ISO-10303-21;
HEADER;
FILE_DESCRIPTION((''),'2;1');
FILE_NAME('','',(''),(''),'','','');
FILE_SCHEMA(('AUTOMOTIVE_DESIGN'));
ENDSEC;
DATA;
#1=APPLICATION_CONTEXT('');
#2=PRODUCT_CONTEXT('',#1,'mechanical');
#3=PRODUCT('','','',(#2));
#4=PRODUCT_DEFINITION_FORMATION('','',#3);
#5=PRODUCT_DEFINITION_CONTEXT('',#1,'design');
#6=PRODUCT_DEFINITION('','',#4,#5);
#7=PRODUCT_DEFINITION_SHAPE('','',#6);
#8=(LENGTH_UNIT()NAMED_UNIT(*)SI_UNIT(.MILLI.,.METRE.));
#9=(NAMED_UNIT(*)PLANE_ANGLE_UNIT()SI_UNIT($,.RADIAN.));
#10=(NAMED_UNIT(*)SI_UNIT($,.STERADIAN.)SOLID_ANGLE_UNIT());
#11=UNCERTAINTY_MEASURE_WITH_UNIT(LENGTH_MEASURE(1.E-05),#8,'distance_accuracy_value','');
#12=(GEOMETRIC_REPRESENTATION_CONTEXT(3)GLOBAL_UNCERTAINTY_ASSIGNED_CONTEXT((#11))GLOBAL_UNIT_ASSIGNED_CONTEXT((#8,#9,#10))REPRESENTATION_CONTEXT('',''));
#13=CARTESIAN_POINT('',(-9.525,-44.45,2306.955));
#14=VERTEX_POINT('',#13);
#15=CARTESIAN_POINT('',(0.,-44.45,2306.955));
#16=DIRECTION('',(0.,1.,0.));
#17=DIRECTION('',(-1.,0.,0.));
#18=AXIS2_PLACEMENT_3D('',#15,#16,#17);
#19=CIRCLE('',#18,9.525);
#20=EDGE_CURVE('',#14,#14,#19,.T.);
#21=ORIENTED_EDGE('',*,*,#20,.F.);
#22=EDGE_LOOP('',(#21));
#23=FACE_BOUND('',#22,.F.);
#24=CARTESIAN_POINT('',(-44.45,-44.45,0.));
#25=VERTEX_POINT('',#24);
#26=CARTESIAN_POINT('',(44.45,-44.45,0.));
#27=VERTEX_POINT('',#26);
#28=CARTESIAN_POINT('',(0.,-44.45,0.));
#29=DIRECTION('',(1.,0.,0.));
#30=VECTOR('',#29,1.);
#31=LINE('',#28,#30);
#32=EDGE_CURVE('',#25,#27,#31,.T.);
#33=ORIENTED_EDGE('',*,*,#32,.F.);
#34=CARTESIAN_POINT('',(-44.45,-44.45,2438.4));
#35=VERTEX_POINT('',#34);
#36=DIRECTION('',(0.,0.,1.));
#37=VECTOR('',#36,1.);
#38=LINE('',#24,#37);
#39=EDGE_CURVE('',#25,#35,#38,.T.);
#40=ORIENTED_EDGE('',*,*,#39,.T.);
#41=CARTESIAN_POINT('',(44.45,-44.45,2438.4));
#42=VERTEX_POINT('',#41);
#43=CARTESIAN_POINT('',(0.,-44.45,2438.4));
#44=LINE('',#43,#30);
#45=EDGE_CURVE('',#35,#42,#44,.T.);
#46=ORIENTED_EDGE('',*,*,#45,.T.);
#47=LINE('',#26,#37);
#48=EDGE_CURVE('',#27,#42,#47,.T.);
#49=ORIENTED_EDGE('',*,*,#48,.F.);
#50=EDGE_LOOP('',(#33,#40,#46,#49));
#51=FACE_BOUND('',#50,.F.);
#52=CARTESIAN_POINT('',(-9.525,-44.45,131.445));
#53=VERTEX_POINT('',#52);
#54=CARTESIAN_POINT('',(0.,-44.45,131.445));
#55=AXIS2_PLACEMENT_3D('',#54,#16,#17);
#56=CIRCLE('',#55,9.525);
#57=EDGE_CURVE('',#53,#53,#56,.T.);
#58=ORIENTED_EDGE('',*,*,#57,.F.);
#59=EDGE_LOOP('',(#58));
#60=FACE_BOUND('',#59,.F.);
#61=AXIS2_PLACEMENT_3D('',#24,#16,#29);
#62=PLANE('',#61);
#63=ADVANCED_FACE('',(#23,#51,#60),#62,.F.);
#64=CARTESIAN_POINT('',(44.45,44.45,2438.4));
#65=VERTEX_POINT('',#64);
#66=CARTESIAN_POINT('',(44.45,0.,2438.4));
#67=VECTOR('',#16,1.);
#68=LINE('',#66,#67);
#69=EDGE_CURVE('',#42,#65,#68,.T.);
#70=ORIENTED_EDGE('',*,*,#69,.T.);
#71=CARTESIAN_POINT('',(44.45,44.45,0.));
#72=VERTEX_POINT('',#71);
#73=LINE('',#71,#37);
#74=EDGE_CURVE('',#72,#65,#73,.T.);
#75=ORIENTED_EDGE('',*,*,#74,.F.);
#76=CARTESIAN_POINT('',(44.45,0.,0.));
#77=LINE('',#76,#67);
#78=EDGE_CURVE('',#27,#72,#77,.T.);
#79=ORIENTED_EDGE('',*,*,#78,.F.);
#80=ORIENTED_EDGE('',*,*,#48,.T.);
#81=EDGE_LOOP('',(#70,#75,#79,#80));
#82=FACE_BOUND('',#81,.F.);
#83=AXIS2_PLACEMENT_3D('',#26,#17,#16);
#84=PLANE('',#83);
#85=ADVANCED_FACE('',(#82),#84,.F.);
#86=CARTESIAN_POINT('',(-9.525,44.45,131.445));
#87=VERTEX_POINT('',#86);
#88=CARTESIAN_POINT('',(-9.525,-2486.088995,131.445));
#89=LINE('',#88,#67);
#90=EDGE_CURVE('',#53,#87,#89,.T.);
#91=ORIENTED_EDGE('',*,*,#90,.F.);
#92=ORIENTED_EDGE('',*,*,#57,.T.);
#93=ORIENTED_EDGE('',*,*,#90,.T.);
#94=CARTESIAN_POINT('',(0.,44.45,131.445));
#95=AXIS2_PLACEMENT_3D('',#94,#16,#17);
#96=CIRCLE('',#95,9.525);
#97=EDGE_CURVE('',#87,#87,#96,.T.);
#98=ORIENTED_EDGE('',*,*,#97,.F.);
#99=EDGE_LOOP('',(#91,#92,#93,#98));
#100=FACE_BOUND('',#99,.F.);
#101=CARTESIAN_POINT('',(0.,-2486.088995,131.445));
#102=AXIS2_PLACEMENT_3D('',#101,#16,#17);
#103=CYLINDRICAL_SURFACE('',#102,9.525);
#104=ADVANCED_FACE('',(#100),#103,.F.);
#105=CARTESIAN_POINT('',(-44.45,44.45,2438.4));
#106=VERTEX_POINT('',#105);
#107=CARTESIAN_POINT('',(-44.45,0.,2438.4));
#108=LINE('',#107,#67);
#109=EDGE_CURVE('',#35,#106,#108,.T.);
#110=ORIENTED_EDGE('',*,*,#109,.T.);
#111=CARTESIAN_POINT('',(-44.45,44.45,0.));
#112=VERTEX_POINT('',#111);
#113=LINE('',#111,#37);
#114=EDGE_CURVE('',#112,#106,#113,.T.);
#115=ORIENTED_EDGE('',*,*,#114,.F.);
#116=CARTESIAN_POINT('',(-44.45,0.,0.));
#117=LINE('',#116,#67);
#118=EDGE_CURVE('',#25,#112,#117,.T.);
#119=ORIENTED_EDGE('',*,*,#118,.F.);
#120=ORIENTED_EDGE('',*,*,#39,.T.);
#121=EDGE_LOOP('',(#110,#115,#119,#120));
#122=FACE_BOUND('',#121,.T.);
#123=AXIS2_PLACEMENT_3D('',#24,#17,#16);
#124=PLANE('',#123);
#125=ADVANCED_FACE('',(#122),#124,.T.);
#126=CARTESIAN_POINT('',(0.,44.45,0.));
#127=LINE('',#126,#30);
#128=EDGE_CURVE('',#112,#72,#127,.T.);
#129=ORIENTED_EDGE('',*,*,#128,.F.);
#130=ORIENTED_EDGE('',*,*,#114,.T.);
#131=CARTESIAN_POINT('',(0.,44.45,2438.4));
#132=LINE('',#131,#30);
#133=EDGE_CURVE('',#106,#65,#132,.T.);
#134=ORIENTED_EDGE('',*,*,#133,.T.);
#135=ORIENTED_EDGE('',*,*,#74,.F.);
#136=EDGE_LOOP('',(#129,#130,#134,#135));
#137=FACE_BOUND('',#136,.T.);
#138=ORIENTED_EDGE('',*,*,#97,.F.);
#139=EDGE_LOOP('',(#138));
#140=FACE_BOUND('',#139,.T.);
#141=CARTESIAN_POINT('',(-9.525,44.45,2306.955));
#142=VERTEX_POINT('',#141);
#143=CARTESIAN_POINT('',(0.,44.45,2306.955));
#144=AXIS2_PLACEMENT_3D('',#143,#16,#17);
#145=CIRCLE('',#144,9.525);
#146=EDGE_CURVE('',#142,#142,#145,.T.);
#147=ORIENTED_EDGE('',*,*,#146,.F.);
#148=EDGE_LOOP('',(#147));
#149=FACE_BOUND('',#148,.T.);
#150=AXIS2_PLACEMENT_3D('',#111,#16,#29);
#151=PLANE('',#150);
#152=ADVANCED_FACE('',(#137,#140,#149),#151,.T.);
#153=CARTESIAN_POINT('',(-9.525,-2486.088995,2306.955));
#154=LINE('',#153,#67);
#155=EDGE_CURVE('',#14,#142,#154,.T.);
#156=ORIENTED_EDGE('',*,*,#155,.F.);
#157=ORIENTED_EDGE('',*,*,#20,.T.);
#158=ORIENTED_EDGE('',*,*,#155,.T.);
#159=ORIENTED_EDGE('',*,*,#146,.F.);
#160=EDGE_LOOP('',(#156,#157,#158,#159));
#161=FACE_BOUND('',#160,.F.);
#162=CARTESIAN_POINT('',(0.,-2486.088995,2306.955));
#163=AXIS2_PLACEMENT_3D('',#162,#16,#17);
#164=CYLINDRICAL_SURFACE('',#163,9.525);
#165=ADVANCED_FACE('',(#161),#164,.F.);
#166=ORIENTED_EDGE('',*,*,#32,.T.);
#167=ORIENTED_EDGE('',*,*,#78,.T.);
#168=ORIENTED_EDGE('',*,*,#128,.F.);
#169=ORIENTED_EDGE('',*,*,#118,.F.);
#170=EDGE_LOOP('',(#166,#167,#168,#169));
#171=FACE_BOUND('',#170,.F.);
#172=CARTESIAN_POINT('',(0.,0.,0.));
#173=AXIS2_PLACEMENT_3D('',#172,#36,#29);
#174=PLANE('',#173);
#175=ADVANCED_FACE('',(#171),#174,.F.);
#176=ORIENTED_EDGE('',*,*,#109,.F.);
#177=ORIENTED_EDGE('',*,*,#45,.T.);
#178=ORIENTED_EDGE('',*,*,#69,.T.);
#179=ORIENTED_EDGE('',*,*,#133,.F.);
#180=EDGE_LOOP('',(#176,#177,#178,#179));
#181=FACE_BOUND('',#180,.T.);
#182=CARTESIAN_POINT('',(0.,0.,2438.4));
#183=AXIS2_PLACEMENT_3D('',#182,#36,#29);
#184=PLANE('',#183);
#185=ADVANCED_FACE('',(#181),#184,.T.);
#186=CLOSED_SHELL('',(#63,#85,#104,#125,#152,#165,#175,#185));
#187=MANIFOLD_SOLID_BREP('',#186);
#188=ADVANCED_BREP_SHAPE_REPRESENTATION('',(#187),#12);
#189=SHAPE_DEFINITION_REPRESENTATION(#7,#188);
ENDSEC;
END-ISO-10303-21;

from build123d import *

# Parameters (mm, degrees)
F0_W     = 88.9
F0_H     = 88.9
F1_DEPTH = 2438.4
F3_D     = 19.05


with BuildPart() as f1:
    # F0 (on Top) → F1 (new body)
    with BuildSketch(Plane.XY):
        Rectangle(F0_W, F0_H)
    extrude(amount=F1_DEPTH)

    # F3 (through all)
    with Locations(Plane.XZ.offset(44.45)):
        with Locations((0, 131.445), (0, 2306.955)):
            Hole(F3_D / 2)


solid = f1.part
